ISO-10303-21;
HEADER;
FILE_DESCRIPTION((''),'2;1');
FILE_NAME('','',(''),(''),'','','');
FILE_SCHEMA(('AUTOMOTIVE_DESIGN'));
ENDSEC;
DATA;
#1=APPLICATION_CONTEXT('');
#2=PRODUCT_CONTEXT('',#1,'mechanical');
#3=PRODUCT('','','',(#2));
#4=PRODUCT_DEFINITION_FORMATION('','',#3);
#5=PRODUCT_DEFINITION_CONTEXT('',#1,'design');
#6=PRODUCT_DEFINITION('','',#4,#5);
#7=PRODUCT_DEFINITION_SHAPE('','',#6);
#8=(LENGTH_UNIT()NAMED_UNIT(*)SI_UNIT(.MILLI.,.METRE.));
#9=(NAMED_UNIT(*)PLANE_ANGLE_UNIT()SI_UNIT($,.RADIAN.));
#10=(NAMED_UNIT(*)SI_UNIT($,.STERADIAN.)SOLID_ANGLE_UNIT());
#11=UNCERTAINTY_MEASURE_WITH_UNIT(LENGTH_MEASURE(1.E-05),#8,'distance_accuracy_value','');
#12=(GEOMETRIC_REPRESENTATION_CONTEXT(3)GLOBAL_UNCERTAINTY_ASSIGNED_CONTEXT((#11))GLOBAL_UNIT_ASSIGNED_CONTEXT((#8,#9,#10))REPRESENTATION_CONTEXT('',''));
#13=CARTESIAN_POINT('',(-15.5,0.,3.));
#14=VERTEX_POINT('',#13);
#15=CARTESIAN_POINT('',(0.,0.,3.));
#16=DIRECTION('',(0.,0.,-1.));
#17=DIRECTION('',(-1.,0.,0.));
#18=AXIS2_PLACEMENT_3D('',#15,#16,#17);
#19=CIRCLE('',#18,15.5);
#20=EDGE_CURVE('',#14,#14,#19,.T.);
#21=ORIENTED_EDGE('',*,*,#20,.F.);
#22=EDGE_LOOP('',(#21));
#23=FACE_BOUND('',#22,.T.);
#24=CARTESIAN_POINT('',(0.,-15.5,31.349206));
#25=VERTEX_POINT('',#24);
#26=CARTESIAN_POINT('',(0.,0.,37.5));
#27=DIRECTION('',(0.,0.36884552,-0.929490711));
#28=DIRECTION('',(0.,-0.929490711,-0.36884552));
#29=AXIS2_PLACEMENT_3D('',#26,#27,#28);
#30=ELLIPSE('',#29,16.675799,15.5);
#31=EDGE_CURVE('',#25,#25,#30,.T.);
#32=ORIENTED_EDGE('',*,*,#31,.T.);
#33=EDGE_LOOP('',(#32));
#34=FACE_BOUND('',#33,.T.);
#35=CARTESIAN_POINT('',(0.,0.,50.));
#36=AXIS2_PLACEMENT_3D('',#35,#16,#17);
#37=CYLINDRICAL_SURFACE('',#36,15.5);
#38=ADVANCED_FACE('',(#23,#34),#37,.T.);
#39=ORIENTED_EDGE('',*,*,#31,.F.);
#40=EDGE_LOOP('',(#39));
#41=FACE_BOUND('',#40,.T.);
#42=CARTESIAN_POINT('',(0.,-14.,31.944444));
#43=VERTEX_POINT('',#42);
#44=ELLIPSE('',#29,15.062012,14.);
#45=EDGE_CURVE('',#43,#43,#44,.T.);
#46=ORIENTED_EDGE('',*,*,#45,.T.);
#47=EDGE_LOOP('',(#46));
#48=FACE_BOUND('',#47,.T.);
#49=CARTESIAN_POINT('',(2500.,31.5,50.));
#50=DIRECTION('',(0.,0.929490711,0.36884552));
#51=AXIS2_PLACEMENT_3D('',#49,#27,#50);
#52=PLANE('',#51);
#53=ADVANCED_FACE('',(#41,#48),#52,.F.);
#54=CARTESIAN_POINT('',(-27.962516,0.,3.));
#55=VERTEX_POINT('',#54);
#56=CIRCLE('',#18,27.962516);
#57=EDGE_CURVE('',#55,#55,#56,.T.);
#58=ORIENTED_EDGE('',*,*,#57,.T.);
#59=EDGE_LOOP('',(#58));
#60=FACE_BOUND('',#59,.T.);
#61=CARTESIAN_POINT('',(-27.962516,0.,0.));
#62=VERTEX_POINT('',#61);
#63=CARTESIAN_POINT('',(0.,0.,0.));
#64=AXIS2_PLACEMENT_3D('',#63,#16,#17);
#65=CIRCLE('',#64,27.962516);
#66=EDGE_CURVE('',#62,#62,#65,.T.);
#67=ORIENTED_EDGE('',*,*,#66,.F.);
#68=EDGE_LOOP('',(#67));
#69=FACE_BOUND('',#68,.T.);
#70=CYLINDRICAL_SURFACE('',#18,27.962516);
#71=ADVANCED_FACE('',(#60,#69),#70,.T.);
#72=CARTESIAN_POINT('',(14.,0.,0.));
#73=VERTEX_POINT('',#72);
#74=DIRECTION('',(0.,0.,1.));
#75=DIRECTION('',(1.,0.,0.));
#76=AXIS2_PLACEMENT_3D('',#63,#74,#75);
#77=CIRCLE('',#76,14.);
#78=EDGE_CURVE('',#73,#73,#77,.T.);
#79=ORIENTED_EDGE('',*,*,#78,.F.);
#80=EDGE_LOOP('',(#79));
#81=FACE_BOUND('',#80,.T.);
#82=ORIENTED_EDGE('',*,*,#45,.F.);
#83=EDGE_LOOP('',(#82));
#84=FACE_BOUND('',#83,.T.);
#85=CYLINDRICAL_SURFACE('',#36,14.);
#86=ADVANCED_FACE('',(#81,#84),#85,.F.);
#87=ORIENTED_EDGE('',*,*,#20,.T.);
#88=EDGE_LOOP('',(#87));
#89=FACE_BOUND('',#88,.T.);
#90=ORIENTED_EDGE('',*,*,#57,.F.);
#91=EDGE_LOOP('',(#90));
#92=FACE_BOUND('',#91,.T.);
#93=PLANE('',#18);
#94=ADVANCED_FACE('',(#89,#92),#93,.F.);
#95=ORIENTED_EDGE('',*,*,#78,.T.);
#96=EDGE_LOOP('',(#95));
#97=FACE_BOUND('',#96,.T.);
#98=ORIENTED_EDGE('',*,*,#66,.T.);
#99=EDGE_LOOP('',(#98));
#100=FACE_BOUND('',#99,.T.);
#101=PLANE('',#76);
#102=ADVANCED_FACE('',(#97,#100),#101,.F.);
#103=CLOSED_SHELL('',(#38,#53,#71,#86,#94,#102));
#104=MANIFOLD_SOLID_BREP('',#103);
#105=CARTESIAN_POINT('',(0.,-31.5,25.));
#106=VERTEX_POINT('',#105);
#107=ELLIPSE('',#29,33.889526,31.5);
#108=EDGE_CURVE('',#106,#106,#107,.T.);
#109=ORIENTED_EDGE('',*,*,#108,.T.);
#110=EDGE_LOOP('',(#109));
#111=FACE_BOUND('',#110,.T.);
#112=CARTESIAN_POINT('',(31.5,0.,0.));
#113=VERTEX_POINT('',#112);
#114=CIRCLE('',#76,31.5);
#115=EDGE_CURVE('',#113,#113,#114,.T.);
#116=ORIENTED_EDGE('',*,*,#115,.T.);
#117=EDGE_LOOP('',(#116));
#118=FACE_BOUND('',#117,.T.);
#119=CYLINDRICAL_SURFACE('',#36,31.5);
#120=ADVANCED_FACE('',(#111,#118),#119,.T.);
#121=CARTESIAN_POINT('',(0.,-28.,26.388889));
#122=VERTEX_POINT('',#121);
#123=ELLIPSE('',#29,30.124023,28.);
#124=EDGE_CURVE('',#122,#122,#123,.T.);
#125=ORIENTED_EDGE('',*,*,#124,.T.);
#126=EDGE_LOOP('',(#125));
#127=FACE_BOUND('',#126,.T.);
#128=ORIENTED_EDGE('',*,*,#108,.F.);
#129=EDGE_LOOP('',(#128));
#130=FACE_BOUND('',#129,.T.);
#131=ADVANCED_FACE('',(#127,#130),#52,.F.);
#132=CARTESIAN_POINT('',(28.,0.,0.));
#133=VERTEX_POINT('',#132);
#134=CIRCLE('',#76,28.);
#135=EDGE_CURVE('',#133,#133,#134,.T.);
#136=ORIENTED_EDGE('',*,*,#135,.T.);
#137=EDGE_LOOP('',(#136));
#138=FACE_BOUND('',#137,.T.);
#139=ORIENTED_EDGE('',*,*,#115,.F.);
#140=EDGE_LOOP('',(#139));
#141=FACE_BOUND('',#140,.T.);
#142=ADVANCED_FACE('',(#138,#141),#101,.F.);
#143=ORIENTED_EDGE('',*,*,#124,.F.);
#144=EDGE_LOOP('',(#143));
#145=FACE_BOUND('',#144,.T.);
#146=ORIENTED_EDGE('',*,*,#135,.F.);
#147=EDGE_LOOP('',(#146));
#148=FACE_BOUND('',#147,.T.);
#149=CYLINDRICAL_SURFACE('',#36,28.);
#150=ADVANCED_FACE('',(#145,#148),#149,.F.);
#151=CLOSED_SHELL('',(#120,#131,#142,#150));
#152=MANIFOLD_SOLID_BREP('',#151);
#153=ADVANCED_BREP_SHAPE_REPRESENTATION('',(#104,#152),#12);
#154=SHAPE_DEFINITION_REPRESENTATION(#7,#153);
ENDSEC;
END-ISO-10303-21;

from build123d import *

# Parameters (mm, degrees)
SKETCH1_R               = 15.5
SKETCH1_R_2             = 14
BOSS_EXTRUDE2_DEPTH     = 50
SKETCH3_R               = 31.5
SKETCH3_R_2             = 28
BOSS_EXTRUDE3_DEPTH     = 50
CUT_EXTRUDE1_DEPTH      = 2500
CUT_EXTRUDE1_DEPTH_BACK = 10216
SKETCH15_R              = 27.962515844
SKETCH15_R_2            = 15.5
BOSS_EXTRUDE4_DEPTH     = 3


with BuildPart() as part:
    # Sketch1 → Boss-Extrude2 (new body)
    with BuildSketch(Plane.XY):
        Circle(SKETCH1_R)
        Circle(SKETCH1_R_2, mode=Mode.SUBTRACT)
    extrude(amount=BOSS_EXTRUDE2_DEPTH)


with BuildPart() as body_2:
    # Sketch3 → Boss-Extrude3 (new body)
    with BuildSketch(Plane.XY):
        Circle(SKETCH3_R)
        Circle(SKETCH3_R_2, mode=Mode.SUBTRACT)
    extrude(amount=BOSS_EXTRUDE3_DEPTH)


with BuildPart() as cut_extrude1_tool:
    # Sketch4 → Cut-Extrude1 (new, two sides: drawn at the far end of the back side and taken through both)
    with BuildSketch(Plane(origin=(0, 0, 0), x_dir=(0, 0, -1), z_dir=(1, 0, 0)).offset(-CUT_EXTRUDE1_DEPTH_BACK)):
        Polygon((-50, 31.5), (-25, -31.5), (-50, -31.5), align=None)
    extrude(amount=CUT_EXTRUDE1_DEPTH + CUT_EXTRUDE1_DEPTH_BACK)


with BuildPart() as part_1:
    add(part.part)

    # Cut-Extrude1: cut by cut_extrude1_tool
    add(cut_extrude1_tool.part, mode=Mode.SUBTRACT)

    # Sketch15 → Boss-Extrude4 (add)
    with BuildSketch(Plane(origin=(0, 0, 0), x_dir=(-1, 0, 0), z_dir=(0, 0, -1))):
        Circle(SKETCH15_R)
        Circle(SKETCH15_R_2, mode=Mode.SUBTRACT)
    extrude(amount=-BOSS_EXTRUDE4_DEPTH)


with BuildPart() as body_2_1:
    add(body_2.part)

    # Cut-Extrude1: cut by cut_extrude1_tool
    add(cut_extrude1_tool.part, mode=Mode.SUBTRACT)


solid = Compound([part_1.part, body_2_1.part])
